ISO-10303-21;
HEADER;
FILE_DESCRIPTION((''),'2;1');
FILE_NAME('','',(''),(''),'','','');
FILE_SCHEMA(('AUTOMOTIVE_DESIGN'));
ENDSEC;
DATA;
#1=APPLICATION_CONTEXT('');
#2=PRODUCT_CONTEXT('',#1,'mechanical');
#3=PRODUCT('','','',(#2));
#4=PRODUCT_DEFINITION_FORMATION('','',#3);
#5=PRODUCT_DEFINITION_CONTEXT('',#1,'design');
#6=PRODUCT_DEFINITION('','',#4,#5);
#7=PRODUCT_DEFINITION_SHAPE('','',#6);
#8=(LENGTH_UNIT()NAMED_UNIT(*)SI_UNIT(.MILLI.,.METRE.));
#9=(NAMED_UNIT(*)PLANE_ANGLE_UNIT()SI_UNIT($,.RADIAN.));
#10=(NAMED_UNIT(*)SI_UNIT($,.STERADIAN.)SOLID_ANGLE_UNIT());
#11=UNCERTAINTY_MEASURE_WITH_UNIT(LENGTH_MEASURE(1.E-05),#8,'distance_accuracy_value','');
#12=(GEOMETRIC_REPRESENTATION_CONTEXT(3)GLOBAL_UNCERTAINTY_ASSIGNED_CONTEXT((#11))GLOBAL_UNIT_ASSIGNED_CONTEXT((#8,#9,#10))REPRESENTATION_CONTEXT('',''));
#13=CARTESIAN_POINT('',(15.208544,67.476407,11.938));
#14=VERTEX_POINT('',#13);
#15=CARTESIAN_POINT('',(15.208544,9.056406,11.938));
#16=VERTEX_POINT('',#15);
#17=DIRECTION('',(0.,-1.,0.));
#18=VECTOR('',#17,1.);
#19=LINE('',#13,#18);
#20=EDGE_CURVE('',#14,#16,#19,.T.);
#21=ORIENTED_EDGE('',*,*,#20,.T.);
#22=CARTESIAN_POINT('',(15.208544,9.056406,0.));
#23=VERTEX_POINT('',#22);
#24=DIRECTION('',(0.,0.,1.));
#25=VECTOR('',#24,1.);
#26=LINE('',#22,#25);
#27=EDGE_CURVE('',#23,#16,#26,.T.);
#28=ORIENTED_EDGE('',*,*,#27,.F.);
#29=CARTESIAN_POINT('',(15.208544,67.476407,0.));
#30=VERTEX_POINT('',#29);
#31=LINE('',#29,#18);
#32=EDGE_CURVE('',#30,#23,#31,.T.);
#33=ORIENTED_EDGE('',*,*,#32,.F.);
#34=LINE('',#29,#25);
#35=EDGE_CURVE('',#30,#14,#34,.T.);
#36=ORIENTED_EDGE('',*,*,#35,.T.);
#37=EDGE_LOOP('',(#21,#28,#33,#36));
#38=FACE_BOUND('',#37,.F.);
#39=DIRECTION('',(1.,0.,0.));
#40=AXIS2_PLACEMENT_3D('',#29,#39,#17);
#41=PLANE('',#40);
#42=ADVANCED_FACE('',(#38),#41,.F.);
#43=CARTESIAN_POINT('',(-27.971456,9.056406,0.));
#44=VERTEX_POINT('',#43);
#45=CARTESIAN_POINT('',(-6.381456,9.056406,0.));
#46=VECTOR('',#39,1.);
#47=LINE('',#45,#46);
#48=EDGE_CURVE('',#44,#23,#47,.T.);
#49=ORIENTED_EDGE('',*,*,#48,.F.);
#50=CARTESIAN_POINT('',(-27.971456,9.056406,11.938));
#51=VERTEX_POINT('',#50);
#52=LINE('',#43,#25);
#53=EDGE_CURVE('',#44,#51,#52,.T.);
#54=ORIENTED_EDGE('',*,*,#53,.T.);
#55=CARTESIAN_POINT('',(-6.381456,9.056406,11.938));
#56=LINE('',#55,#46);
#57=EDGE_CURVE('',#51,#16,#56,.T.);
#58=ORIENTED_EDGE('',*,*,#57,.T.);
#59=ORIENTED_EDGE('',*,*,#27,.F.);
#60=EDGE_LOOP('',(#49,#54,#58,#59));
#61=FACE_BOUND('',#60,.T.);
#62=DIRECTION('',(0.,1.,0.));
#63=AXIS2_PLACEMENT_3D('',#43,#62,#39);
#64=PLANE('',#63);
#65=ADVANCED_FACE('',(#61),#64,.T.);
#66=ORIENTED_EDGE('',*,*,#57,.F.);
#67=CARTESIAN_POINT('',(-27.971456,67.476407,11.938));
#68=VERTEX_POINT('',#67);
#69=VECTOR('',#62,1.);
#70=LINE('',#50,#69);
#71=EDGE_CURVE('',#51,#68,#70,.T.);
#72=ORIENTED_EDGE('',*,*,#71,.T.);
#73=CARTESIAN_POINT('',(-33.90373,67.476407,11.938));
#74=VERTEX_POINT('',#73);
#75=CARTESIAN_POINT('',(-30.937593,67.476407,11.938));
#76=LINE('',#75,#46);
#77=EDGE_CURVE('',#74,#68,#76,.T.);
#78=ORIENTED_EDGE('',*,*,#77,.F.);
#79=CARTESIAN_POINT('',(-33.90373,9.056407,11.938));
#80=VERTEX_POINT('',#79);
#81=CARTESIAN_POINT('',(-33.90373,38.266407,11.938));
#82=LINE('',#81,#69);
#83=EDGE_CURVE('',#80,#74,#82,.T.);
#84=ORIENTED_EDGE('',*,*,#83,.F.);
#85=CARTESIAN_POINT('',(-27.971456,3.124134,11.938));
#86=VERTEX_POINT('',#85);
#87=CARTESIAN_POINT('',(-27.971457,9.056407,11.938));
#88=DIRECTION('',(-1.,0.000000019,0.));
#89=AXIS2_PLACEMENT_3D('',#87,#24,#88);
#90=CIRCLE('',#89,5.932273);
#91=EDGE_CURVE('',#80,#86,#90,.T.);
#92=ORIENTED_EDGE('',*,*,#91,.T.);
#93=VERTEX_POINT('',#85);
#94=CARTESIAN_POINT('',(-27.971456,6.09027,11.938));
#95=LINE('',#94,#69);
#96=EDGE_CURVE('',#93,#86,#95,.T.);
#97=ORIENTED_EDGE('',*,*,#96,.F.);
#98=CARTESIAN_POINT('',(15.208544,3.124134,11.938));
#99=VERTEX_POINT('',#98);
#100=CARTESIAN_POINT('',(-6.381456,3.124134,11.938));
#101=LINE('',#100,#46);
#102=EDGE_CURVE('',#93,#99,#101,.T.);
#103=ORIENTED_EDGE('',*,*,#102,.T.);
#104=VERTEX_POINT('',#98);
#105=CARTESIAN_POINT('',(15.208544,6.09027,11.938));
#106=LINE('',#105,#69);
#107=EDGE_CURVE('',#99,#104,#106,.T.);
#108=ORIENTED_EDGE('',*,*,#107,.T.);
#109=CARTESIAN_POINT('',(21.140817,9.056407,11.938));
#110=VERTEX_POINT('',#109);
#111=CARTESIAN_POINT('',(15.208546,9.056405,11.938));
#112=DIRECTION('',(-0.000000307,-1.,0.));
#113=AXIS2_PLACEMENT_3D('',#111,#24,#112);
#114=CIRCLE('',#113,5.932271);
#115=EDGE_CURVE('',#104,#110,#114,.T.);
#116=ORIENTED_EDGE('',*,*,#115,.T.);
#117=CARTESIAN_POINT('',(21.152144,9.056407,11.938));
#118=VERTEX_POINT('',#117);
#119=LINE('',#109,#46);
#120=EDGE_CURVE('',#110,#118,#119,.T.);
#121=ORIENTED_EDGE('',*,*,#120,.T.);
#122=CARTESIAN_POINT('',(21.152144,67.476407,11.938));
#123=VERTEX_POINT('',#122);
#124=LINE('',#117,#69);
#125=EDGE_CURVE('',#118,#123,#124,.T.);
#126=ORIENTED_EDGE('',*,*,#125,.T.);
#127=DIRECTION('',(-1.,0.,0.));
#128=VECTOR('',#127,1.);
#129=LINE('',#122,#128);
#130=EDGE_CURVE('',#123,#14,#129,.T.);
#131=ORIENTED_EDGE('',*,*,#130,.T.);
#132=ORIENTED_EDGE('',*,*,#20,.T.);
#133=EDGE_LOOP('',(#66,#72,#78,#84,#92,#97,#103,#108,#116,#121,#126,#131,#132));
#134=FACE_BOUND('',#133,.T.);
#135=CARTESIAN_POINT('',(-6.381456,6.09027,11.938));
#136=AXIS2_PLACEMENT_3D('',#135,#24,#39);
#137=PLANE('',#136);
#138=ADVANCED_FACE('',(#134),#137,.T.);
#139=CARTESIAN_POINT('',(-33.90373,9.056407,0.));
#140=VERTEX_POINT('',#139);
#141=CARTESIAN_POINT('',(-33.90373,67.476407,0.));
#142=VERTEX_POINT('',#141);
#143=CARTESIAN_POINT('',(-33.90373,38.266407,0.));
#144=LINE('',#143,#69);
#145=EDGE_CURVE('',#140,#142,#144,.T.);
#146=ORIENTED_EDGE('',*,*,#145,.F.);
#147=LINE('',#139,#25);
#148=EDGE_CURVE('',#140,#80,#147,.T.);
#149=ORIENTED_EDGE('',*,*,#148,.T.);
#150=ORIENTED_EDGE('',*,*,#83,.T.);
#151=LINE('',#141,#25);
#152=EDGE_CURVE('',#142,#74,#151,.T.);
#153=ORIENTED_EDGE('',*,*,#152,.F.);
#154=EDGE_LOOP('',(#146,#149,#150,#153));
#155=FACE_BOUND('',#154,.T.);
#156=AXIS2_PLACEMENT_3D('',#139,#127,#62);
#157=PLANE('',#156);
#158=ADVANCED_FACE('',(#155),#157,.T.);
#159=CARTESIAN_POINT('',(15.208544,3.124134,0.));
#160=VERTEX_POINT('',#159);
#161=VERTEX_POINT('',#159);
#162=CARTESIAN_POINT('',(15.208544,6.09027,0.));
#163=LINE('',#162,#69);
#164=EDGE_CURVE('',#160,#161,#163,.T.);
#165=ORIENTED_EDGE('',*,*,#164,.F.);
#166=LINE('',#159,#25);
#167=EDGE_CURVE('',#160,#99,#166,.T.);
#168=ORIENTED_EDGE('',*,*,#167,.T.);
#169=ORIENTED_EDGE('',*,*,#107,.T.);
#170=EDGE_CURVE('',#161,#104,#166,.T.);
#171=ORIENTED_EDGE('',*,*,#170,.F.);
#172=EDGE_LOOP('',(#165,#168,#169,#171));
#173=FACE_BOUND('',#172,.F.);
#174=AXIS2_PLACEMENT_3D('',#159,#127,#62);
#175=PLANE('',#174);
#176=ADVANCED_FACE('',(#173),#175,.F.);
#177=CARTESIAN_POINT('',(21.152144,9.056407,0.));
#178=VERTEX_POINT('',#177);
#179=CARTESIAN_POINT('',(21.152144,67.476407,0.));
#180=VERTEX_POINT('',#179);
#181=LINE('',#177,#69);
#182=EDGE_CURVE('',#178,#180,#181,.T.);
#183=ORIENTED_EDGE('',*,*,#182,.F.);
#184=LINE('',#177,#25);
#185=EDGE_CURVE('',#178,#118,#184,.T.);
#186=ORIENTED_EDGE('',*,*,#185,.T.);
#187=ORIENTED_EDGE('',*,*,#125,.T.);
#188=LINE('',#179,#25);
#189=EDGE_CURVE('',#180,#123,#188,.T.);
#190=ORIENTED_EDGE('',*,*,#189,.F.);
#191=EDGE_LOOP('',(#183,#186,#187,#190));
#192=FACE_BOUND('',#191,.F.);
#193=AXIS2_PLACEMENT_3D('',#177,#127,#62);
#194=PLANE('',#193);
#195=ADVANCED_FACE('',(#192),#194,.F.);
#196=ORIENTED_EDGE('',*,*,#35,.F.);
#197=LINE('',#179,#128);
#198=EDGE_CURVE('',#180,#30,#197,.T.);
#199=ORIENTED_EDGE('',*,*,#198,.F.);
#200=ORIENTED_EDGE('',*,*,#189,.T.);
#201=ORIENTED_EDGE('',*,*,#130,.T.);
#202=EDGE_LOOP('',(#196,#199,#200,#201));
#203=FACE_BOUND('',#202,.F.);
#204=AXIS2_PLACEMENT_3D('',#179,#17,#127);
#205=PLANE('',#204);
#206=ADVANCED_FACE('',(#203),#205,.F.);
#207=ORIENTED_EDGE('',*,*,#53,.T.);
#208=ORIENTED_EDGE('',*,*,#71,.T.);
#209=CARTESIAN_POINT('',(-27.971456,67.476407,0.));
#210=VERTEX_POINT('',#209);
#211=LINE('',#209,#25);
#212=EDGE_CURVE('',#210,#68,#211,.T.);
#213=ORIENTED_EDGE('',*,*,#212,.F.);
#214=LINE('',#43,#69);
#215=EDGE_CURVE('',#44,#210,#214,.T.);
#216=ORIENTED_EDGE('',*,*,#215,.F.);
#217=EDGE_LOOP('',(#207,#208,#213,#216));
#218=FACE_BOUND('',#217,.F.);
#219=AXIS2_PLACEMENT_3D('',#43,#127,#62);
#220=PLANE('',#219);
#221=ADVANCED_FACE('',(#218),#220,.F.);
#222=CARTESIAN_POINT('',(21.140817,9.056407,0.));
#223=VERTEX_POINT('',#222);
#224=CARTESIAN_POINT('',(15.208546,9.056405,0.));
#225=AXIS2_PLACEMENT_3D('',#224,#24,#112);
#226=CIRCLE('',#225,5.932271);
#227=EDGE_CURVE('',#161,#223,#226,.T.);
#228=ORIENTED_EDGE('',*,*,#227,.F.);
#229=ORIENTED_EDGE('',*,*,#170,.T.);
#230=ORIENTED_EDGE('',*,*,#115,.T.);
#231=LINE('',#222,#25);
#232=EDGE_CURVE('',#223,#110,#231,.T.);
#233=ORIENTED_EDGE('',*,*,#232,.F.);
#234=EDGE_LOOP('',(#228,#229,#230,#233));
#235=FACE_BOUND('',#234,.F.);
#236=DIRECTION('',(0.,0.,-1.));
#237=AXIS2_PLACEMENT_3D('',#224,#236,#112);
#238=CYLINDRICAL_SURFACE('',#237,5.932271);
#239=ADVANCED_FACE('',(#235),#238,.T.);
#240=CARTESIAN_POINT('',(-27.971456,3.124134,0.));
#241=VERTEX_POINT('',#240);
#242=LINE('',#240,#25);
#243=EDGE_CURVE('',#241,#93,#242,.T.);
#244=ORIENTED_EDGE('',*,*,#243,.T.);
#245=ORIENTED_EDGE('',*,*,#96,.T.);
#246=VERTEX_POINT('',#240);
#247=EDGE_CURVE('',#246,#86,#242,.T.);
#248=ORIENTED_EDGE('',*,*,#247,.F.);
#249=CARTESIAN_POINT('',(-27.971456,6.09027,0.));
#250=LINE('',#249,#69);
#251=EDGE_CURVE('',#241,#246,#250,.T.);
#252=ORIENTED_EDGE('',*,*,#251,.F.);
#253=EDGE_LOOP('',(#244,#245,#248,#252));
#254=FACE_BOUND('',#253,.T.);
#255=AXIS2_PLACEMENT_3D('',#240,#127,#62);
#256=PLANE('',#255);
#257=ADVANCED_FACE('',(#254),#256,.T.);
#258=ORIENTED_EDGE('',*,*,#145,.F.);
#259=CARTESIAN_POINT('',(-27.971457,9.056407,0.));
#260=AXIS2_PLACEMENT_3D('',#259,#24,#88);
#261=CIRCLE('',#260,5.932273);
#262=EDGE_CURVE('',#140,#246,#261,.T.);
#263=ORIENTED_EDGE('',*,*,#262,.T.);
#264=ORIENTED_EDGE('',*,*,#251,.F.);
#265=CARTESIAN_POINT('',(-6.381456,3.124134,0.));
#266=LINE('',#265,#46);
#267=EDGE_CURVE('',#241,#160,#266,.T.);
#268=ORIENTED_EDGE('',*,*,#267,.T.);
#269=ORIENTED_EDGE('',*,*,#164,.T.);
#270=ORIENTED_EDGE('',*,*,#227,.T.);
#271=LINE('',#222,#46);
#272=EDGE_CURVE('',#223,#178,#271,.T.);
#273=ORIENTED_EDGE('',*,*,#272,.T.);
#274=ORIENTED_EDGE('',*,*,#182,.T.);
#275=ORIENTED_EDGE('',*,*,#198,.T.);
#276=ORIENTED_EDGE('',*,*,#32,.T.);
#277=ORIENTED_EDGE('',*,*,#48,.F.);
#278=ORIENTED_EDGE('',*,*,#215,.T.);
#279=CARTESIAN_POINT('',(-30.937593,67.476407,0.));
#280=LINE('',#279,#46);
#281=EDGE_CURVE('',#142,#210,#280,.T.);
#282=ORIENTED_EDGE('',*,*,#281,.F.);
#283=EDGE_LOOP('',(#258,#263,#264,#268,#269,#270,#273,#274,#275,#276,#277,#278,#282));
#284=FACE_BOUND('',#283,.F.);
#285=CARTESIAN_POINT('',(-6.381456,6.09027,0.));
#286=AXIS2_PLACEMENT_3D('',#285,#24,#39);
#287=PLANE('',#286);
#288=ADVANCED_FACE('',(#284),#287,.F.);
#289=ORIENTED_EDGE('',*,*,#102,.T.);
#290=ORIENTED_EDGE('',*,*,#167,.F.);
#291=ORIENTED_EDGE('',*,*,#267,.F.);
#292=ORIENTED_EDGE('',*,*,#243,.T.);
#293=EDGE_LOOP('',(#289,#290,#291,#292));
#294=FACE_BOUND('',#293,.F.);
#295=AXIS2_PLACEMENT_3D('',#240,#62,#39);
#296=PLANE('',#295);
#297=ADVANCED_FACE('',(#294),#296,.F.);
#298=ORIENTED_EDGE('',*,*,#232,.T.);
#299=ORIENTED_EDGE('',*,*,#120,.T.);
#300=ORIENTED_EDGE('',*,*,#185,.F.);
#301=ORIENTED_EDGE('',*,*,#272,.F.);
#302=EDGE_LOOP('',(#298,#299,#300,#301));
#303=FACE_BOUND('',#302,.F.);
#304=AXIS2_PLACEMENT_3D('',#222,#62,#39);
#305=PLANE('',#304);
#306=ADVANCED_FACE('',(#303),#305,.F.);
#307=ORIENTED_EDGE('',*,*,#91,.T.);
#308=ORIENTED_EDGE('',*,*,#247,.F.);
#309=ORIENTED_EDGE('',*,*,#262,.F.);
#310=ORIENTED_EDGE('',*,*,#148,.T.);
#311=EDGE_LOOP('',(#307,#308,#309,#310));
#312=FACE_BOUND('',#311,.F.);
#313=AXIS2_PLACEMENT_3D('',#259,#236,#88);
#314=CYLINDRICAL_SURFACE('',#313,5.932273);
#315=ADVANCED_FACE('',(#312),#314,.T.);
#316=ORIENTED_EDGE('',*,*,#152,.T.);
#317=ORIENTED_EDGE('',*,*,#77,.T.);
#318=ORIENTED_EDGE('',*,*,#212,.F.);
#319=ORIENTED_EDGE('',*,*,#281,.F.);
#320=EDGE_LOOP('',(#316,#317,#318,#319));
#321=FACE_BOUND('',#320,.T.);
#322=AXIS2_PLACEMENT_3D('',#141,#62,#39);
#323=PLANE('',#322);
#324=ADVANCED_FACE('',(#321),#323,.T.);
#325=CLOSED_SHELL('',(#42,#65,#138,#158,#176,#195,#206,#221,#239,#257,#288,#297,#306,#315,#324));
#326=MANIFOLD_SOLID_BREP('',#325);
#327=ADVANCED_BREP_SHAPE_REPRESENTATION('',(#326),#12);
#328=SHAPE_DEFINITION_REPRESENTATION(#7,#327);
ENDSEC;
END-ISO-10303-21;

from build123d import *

# Parameters (mm, degrees)
F0_W     = 43.18
F0_H     = 5.932273
F0_W_2   = 5.932274
F0_H_2   = 58.42
F1_DEPTH = 11.938


with BuildPart() as f1:
    # F0 (on Top) → F1 (new body)
    with BuildSketch(Plane.XY):
        with Locations((-6.381456, 6.09027)):
            Rectangle(F0_W, F0_H)
        with BuildLine():
            Line((-27.971456, 3.124134), (-27.971456, 9.056407))
            Line((-27.971456, 9.056407), (-33.90373, 9.056407))
            ThreePointArc((-33.90373, 9.056407), (-32.166207, 4.861656), (-27.971456, 3.124134))
        make_face()
        with Locations((-30.937593, 38.266407)):
            Rectangle(F0_W_2, F0_H_2)
        with BuildLine():
            Line((21.140817, 9.056407), (15.208544, 9.056407))
            Line((15.208544, 9.056407), (15.208544, 3.124134))
            ThreePointArc((15.208544, 3.124134), (19.403295, 4.861656), (21.140817, 9.056407))
        make_face()
        Polygon((15.208544, 67.476407), (15.208544, 9.056407), (21.140817, 9.056407), (21.152144, 9.056407), (21.152144, 67.476407), align=None)
    extrude(amount=F1_DEPTH)


solid = f1.part
